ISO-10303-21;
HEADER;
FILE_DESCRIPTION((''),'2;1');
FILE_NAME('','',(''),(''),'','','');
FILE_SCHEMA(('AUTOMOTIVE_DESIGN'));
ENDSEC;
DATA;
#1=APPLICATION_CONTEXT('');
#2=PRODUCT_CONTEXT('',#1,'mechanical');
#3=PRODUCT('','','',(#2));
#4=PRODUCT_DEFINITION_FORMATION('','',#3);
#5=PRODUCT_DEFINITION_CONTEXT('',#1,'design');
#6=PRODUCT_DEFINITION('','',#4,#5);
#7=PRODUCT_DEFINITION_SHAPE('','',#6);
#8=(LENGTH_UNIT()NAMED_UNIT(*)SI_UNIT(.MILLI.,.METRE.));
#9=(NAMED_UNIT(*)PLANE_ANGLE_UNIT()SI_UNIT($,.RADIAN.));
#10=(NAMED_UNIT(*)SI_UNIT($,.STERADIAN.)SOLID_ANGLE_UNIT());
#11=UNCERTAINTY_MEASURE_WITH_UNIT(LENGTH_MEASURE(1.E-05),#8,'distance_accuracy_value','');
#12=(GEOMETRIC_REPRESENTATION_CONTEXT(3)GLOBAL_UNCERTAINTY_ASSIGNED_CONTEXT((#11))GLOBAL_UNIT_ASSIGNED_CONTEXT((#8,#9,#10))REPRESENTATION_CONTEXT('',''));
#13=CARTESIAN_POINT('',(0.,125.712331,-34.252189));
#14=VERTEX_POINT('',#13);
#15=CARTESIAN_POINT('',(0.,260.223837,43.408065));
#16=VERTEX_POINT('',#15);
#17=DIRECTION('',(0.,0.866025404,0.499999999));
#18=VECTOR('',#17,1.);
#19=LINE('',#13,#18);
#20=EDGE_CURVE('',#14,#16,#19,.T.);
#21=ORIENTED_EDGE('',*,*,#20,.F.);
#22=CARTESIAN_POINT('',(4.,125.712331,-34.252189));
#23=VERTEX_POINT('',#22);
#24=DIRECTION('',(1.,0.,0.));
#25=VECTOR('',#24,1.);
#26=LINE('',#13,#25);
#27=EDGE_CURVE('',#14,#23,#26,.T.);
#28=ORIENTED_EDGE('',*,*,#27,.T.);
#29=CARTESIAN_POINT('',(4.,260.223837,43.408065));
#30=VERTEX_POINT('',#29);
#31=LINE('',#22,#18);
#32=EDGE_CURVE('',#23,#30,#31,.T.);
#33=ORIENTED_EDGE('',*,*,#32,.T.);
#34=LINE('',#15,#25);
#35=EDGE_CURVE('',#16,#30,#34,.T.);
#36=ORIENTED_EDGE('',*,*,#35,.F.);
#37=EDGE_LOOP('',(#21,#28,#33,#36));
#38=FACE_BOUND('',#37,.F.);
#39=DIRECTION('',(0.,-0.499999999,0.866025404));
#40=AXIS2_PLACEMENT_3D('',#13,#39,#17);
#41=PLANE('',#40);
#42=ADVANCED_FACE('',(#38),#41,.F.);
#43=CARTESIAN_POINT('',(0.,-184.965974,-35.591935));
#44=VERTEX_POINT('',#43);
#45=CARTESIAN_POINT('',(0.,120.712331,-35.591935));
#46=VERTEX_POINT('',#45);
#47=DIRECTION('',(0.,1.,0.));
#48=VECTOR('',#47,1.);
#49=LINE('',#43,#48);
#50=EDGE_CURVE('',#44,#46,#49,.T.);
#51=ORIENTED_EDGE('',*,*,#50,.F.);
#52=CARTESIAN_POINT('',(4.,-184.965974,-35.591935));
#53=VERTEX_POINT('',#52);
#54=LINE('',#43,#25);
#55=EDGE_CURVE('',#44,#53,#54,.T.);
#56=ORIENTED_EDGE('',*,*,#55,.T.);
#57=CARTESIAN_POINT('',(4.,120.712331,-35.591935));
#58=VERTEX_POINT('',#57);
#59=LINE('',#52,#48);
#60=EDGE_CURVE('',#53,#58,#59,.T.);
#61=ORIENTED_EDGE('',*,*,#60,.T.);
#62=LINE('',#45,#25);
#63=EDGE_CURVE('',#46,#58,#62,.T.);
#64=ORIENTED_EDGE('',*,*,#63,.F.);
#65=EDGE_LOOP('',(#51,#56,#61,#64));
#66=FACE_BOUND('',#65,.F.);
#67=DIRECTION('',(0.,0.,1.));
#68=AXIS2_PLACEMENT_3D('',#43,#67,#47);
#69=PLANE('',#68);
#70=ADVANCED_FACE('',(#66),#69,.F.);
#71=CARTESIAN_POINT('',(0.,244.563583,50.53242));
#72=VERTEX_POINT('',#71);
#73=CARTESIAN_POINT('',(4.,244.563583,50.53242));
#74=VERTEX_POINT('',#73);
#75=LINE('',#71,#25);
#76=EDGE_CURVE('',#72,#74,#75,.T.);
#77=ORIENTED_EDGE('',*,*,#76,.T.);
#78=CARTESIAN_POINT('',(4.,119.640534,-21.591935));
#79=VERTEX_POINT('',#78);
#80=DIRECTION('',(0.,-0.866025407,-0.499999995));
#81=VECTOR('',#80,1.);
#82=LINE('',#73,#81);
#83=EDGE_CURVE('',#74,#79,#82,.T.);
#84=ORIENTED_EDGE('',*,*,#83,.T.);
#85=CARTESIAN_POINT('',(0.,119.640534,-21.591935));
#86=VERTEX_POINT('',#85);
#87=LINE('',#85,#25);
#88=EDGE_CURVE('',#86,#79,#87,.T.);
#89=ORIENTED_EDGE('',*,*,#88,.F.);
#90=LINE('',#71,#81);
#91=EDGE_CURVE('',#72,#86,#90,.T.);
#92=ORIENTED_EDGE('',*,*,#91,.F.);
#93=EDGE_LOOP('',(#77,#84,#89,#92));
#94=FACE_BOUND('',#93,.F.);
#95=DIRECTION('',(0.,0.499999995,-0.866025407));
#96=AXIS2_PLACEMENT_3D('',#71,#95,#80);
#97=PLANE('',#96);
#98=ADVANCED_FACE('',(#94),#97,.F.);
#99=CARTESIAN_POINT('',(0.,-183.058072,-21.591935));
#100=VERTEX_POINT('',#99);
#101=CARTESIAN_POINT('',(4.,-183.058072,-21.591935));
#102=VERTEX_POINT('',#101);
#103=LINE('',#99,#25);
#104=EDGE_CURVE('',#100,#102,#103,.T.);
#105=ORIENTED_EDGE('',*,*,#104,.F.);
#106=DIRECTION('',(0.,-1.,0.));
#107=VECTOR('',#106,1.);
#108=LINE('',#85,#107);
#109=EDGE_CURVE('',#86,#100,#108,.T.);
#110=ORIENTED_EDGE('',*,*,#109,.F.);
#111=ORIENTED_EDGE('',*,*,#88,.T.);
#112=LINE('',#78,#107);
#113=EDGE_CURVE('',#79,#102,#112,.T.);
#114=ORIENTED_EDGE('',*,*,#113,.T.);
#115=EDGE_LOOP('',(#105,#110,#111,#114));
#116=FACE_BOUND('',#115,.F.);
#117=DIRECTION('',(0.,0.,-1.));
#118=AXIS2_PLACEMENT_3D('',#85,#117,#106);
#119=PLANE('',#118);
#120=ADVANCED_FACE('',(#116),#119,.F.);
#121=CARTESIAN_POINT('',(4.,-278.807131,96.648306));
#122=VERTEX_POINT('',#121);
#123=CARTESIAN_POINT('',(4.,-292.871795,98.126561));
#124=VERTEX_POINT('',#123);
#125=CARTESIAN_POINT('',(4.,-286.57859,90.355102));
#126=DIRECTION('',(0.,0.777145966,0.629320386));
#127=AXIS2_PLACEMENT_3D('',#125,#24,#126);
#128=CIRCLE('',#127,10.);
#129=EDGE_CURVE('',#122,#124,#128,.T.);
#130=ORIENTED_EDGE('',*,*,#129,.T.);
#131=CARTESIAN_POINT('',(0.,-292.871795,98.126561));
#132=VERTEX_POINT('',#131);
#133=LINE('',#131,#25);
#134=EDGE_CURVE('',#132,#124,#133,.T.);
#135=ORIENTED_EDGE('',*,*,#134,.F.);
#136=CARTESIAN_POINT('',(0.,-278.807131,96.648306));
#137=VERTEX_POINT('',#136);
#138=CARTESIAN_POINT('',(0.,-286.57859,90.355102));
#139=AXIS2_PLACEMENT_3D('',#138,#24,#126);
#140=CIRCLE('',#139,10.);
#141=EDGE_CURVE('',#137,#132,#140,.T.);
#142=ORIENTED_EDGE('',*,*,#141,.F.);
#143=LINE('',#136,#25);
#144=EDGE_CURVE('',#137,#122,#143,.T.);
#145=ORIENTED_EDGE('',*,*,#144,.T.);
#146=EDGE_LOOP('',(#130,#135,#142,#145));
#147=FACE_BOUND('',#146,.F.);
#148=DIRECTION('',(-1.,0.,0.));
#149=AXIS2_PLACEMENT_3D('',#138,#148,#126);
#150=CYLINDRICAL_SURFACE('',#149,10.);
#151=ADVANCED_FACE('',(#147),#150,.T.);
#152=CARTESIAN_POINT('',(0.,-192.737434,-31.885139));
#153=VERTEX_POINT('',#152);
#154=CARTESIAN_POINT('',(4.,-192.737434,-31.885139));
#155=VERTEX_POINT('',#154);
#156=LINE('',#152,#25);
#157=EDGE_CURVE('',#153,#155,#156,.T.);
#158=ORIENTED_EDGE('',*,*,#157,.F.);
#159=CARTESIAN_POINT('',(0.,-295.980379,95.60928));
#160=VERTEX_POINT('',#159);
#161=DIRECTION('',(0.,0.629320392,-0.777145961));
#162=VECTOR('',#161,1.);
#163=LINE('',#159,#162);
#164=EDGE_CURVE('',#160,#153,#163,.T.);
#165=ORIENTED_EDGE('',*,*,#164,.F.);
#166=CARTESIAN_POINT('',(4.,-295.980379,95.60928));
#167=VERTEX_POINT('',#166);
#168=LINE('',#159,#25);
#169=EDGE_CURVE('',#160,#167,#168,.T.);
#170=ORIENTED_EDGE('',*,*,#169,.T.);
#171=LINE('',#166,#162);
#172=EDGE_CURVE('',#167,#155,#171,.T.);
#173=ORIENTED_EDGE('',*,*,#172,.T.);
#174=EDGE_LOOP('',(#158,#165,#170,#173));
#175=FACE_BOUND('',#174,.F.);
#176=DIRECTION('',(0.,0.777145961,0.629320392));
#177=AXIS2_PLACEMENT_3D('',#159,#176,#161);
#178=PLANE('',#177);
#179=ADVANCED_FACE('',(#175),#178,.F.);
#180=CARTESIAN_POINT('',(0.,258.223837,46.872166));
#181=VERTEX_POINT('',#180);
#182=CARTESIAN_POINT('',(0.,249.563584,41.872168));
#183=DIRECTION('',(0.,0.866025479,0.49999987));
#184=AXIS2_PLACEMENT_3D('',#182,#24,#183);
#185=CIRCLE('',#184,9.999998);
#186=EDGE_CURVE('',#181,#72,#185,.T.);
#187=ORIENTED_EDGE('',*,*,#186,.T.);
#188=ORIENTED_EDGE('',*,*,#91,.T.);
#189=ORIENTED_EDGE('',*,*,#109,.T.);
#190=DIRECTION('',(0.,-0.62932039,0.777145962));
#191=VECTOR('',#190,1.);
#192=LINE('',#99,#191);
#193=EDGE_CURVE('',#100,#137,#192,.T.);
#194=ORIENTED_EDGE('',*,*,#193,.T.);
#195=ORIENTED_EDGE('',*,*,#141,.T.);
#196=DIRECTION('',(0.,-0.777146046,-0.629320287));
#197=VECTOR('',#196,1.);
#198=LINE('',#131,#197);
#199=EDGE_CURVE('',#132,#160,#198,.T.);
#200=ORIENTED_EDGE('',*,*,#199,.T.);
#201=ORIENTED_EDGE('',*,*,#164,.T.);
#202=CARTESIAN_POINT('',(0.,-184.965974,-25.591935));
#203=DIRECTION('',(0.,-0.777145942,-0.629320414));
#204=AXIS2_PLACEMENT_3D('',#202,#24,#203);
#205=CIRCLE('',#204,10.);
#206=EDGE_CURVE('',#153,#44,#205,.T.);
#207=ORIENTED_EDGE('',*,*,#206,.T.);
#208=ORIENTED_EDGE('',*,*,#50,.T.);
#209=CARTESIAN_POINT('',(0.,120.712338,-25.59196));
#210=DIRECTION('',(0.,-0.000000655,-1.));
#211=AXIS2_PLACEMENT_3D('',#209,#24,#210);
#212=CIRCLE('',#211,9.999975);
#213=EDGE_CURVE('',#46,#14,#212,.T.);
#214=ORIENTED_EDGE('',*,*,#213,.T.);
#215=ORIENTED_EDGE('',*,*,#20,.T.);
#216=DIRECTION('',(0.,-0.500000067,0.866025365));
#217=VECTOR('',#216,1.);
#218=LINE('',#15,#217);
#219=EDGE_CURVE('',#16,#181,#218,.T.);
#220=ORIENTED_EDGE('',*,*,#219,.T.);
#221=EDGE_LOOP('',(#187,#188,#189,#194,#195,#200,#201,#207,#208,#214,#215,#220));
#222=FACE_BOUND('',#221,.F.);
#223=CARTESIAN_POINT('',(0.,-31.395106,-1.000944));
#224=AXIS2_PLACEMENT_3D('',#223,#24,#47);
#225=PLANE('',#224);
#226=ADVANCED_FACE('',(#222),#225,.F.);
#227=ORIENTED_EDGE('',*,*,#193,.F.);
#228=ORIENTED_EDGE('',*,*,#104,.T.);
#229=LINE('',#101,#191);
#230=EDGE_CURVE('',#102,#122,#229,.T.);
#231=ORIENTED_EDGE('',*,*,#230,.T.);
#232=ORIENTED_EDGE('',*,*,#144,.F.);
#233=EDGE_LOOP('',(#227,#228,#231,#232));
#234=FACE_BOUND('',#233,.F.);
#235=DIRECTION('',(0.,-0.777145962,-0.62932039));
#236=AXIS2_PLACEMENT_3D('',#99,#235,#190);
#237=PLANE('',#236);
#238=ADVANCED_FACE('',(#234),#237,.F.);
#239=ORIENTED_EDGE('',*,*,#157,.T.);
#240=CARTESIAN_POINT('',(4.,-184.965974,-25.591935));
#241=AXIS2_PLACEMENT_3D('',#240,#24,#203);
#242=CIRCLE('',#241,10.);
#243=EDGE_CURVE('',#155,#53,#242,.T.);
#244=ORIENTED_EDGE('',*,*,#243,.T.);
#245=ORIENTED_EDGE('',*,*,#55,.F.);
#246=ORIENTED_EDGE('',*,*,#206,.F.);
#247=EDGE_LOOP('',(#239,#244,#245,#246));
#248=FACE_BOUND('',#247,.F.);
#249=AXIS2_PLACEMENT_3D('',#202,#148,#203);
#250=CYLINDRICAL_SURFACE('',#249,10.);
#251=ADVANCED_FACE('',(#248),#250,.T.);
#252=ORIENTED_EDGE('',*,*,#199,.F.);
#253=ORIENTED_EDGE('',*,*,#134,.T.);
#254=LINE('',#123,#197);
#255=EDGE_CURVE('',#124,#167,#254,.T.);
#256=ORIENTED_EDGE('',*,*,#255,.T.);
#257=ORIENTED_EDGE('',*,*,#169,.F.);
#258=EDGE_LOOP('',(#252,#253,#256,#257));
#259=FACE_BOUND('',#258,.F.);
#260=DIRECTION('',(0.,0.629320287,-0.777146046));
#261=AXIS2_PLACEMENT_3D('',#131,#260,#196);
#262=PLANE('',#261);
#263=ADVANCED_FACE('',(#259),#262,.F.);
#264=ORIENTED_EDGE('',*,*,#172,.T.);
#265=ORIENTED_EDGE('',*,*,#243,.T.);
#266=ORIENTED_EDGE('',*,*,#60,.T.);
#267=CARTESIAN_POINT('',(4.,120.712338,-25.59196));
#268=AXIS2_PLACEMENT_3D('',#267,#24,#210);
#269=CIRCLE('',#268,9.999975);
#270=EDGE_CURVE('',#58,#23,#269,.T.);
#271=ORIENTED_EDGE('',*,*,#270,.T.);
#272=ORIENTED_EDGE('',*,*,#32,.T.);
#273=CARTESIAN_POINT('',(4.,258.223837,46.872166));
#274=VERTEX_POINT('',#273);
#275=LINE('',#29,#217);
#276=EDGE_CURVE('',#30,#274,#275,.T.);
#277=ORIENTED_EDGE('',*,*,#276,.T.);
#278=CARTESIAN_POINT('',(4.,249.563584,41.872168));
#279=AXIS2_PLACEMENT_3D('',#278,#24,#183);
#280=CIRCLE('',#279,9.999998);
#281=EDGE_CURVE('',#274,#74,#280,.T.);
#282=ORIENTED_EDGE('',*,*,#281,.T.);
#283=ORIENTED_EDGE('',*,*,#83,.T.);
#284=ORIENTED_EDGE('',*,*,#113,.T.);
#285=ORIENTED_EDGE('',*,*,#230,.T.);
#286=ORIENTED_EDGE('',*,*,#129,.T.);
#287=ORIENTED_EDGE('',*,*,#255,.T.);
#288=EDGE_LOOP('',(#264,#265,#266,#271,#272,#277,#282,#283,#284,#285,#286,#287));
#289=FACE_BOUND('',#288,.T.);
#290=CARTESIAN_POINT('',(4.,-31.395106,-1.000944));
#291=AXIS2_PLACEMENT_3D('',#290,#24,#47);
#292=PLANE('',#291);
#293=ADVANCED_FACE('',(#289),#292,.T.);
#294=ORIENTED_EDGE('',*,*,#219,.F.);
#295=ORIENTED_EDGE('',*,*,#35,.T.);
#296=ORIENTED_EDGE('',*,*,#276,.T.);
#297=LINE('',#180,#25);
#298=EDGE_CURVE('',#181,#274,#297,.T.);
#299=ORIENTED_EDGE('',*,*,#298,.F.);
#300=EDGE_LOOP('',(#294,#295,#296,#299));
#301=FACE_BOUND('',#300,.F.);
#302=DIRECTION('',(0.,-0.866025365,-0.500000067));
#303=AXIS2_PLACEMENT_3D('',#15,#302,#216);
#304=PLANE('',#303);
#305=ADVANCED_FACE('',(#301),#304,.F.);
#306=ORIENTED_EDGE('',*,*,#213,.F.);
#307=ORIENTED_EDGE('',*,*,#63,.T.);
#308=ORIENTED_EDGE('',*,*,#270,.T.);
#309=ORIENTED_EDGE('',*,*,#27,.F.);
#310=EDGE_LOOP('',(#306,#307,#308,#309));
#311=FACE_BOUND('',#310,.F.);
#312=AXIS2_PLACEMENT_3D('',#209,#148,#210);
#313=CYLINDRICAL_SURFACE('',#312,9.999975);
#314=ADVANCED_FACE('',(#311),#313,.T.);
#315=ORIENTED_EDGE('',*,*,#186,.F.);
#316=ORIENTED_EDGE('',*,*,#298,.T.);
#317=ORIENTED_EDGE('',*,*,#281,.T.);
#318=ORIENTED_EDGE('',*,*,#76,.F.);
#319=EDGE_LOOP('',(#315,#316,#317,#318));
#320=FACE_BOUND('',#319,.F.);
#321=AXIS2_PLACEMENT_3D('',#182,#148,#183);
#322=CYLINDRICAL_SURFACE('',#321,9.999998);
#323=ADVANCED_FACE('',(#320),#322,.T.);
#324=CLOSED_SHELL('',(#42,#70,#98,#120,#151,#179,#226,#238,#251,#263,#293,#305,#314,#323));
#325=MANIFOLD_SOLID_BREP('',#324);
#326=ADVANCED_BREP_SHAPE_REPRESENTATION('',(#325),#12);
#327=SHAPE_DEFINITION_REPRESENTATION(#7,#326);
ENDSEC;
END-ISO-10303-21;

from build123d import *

# Parameters (mm, degrees)
F1_DEPTH = 4


with BuildPart() as f1:
    # F0 (on Right) → F1 (new body)
    with BuildSketch(Plane.YZ):
        with BuildLine():
            Line((119.640534, -21.591935), (-183.058072, -21.591935))
            Line((-183.058072, -21.591935), (-278.807131, 96.648306))
            ThreePointArc((-278.807131, 96.648306), (-285.533306, 100.300321), (-292.871795, 98.126561))
            Line((-292.871795, 98.126561), (-295.980379, 95.60928))
            Line((-295.980379, 95.60928), (-192.737434, -31.885139))
            ThreePointArc((-192.737434, -31.885139), (-189.271085, -34.617788), (-184.965974, -35.591935))
            Line((-184.965974, -35.591935), (120.712331, -35.591935))
            ThreePointArc((120.712331, -35.591935), (123.300522, -35.251194), (125.712331, -34.252189))
            Line((125.712331, -34.252189), (260.223837, 43.408065))
            Line((260.223837, 43.408065), (258.223837, 46.872166))
            ThreePointArc((258.223837, 46.872166), (252.151773, 51.531425), (244.563583, 50.53242))
            Line((244.563583, 50.53242), (119.640534, -21.591935))
        make_face()
    extrude(amount=F1_DEPTH)


solid = f1.part
